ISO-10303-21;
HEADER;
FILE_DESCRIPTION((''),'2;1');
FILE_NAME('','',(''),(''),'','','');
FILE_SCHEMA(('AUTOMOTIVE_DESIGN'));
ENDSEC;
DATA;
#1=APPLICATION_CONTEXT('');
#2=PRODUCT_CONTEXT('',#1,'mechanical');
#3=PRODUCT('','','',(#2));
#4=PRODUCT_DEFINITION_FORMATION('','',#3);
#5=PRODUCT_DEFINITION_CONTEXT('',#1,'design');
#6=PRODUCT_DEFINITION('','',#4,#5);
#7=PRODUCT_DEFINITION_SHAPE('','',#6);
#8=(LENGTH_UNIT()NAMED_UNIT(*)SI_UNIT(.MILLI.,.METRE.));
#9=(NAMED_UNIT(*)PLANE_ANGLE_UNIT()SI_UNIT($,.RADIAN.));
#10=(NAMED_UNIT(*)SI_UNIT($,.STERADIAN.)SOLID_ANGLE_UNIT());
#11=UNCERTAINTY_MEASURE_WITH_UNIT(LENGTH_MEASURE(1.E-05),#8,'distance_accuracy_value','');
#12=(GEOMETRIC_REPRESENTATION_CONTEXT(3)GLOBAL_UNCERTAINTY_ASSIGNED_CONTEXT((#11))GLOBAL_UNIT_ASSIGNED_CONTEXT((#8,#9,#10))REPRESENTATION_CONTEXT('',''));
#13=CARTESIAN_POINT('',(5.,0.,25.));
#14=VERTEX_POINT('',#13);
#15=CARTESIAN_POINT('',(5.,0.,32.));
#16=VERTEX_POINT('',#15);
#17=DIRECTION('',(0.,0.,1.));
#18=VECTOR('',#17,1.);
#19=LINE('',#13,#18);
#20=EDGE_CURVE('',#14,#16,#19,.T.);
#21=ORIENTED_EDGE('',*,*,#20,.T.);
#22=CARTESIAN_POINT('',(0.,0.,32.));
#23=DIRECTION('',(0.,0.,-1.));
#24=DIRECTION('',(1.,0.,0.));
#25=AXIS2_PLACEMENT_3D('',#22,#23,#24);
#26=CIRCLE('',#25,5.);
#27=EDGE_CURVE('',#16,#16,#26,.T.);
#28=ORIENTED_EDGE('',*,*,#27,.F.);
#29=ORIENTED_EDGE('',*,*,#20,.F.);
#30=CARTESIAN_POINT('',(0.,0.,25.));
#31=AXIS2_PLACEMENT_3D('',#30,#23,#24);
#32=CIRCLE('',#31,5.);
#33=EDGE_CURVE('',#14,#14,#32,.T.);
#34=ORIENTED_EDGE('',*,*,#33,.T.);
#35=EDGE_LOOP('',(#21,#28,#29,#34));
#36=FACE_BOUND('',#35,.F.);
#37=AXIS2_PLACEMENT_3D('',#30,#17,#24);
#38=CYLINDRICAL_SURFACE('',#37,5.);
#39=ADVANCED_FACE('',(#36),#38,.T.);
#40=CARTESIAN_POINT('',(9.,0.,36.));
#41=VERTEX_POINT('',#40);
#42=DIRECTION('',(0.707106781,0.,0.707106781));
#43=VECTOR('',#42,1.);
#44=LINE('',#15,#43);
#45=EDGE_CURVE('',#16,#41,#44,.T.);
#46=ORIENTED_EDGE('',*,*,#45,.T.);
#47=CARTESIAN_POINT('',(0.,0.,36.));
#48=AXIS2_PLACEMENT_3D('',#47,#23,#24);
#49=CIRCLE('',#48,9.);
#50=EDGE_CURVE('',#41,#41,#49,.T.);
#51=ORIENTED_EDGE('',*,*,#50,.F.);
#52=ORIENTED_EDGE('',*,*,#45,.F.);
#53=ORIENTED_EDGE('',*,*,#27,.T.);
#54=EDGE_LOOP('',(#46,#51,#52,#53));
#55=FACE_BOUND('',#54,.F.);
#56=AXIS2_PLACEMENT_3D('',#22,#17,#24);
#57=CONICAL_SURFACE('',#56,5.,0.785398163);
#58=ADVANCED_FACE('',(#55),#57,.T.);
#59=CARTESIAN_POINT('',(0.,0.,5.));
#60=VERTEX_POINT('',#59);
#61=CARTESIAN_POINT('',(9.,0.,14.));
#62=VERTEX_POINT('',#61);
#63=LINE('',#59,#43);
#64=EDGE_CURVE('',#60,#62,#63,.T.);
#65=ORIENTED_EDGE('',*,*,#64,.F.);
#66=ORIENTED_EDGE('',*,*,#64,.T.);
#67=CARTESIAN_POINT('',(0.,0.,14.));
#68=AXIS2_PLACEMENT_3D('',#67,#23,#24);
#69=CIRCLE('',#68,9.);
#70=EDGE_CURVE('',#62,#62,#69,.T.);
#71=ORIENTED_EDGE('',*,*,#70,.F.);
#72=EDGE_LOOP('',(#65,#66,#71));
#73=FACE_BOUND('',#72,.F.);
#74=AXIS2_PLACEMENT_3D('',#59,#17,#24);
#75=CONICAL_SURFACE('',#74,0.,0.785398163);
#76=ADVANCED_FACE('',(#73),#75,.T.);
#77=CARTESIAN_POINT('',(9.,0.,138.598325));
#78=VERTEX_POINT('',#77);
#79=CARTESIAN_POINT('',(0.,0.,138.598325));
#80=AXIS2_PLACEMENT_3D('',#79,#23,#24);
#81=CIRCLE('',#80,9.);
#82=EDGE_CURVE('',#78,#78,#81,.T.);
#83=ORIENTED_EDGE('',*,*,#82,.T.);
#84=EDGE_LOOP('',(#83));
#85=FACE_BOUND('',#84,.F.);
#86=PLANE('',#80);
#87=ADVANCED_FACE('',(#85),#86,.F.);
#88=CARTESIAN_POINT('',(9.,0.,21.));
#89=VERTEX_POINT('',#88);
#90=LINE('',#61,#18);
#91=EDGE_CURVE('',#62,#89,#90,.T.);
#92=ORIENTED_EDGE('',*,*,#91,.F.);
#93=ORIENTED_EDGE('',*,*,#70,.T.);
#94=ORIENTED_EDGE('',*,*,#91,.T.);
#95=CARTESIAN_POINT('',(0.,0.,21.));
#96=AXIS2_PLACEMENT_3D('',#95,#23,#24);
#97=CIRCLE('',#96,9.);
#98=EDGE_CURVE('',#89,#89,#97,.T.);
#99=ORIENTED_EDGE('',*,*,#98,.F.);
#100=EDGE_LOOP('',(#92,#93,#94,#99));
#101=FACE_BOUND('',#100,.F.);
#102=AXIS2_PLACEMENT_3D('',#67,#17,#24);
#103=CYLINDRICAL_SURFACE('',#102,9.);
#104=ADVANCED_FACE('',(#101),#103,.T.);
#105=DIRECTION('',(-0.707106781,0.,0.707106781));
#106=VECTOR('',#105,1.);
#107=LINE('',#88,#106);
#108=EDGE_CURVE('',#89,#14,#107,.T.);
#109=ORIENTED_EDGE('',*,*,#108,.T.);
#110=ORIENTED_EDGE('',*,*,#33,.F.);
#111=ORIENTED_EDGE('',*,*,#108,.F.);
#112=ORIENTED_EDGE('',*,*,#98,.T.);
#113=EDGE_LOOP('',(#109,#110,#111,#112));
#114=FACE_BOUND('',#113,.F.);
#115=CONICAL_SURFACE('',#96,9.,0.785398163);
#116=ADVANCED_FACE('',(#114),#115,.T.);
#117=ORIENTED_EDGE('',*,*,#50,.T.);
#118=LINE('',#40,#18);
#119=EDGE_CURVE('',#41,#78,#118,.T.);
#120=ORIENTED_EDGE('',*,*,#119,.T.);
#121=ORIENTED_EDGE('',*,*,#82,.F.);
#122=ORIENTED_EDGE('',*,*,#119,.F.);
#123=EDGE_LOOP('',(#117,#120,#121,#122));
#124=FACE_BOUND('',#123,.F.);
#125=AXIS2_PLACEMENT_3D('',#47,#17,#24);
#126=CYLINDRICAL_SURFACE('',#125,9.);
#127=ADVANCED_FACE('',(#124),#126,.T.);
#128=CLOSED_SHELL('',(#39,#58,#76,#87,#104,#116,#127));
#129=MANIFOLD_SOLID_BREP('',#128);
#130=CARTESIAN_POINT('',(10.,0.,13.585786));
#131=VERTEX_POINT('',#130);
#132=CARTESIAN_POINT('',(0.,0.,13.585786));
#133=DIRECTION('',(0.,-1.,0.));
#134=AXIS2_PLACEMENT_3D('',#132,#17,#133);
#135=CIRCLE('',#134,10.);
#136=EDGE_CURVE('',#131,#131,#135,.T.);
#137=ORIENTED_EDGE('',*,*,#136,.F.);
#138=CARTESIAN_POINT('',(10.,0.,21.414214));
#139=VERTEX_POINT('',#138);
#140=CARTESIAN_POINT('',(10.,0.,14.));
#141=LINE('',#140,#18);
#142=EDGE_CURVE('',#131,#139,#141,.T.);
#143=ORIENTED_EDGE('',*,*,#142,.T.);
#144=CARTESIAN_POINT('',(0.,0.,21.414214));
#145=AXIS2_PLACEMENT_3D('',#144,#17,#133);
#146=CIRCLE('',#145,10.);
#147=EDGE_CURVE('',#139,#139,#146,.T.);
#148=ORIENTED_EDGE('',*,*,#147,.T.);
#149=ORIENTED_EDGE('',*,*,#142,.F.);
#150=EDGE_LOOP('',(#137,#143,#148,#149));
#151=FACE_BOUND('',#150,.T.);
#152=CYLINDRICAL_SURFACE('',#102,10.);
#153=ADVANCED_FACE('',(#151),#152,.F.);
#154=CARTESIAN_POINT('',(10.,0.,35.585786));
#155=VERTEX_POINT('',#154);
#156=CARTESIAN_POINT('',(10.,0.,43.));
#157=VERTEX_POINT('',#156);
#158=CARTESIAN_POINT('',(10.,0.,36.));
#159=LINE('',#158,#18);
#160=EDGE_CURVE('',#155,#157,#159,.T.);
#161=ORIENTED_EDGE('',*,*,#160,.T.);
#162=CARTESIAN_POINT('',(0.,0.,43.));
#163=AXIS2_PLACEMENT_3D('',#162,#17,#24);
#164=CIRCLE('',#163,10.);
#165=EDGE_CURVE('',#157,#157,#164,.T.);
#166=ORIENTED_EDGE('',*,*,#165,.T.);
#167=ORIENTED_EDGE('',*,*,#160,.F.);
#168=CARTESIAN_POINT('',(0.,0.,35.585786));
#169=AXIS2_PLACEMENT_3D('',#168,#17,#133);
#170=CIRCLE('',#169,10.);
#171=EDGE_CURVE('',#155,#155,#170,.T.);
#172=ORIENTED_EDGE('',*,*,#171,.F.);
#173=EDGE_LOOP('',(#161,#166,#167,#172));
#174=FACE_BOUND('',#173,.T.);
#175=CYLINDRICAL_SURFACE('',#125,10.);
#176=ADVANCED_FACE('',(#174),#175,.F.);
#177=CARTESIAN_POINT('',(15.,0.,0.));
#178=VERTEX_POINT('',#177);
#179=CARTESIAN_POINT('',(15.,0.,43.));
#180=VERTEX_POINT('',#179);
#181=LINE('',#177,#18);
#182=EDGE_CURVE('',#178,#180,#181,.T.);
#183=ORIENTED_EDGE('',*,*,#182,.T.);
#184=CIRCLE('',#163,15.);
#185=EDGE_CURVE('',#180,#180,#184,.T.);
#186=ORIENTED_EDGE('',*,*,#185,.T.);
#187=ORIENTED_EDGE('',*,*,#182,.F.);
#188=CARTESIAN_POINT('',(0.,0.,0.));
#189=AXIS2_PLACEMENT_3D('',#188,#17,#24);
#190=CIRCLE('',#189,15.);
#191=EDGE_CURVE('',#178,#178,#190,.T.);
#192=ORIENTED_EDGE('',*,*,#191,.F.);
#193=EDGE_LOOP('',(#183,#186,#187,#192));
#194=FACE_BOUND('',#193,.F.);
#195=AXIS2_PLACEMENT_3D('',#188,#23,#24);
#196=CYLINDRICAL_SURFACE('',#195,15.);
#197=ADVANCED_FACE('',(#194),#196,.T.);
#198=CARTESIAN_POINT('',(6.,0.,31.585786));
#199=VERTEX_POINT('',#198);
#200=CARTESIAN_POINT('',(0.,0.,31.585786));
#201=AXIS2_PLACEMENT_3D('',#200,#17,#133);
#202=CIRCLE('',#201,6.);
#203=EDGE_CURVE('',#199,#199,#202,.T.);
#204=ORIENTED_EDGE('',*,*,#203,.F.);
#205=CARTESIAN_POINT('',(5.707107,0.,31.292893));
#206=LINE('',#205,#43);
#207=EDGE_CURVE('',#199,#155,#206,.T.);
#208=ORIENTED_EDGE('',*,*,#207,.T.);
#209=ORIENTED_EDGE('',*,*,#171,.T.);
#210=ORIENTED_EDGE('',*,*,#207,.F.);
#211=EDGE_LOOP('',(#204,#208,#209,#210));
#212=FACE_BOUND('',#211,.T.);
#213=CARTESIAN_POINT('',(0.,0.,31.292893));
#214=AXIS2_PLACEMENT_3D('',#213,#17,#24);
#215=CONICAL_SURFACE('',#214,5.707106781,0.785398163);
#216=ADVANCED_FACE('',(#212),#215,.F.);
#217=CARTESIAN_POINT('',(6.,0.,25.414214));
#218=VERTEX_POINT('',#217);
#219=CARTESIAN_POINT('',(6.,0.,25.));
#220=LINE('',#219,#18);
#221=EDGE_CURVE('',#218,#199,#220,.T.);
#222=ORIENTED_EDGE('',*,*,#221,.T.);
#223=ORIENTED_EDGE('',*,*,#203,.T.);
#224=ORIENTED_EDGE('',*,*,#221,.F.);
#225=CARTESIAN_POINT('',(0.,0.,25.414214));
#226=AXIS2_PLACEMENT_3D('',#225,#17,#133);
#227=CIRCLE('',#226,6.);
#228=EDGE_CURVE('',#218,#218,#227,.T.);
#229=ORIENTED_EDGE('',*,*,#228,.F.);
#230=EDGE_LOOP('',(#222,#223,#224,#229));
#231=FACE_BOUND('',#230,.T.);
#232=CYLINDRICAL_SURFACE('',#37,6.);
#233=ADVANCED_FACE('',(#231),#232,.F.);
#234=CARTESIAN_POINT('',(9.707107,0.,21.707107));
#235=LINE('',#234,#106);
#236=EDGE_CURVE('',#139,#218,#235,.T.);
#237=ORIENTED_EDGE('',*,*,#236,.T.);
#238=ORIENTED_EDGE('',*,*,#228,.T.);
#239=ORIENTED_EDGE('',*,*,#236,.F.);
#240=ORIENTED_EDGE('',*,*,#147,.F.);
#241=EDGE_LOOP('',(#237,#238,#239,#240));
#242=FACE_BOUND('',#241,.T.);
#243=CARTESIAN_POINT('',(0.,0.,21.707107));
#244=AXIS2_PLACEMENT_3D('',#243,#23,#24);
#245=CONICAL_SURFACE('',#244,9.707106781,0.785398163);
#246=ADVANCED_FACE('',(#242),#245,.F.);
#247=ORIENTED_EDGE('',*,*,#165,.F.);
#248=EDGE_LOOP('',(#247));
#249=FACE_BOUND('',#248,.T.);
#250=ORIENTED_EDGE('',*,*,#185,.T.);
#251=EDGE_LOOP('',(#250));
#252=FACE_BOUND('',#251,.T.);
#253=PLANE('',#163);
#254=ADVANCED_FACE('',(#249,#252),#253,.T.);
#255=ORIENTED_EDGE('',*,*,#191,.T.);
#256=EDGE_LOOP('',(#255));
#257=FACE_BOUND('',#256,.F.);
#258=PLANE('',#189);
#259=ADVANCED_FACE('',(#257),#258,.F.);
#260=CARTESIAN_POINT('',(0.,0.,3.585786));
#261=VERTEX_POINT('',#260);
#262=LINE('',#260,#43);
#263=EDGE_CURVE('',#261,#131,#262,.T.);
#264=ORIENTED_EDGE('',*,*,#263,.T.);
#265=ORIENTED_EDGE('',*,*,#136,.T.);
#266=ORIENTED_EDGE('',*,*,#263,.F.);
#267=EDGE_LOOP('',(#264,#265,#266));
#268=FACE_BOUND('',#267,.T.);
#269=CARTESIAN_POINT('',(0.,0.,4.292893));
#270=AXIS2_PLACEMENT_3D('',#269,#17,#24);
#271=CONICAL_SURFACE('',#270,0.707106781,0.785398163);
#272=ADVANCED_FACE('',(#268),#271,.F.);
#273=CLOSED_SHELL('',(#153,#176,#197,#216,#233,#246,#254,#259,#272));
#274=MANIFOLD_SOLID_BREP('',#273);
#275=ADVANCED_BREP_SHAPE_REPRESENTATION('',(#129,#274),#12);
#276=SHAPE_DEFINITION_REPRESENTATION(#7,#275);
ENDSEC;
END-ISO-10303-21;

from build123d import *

# Parameters (mm, degrees)
F1_R      = 15
F2_DEPTH  = 43
F5_OFFSET = 1


with BuildPart() as f2:
    # F1 (on Top) → F2 (new body)
    with BuildSketch(Plane.XY):
        Circle(F1_R)
    extrude(amount=F2_DEPTH)


with BuildPart() as f4:
    # F3 (on Front) → F4 (revolve)
    with BuildSketch(Plane.XZ):
        Polygon((0, 138.5983246118), (0, 5), (9, 14), (9, 21), (5, 25), (5, 32), (9, 36), (9, 138.5983246118), (5, 138.5983246118), align=None)
    revolve(axis=Axis((0, 0, 71.7991623059), (0, 0, -1)))


with BuildPart() as f2_1:
    add(f2.part)

    # F5: cut F4, made larger all round first
    f5_tool = offset(f4.part, amount=F5_OFFSET, kind=Kind.INTERSECTION, mode=Mode.PRIVATE)
    add(f5_tool, mode=Mode.SUBTRACT)


solid = Compound([f4.part, f2_1.part])
